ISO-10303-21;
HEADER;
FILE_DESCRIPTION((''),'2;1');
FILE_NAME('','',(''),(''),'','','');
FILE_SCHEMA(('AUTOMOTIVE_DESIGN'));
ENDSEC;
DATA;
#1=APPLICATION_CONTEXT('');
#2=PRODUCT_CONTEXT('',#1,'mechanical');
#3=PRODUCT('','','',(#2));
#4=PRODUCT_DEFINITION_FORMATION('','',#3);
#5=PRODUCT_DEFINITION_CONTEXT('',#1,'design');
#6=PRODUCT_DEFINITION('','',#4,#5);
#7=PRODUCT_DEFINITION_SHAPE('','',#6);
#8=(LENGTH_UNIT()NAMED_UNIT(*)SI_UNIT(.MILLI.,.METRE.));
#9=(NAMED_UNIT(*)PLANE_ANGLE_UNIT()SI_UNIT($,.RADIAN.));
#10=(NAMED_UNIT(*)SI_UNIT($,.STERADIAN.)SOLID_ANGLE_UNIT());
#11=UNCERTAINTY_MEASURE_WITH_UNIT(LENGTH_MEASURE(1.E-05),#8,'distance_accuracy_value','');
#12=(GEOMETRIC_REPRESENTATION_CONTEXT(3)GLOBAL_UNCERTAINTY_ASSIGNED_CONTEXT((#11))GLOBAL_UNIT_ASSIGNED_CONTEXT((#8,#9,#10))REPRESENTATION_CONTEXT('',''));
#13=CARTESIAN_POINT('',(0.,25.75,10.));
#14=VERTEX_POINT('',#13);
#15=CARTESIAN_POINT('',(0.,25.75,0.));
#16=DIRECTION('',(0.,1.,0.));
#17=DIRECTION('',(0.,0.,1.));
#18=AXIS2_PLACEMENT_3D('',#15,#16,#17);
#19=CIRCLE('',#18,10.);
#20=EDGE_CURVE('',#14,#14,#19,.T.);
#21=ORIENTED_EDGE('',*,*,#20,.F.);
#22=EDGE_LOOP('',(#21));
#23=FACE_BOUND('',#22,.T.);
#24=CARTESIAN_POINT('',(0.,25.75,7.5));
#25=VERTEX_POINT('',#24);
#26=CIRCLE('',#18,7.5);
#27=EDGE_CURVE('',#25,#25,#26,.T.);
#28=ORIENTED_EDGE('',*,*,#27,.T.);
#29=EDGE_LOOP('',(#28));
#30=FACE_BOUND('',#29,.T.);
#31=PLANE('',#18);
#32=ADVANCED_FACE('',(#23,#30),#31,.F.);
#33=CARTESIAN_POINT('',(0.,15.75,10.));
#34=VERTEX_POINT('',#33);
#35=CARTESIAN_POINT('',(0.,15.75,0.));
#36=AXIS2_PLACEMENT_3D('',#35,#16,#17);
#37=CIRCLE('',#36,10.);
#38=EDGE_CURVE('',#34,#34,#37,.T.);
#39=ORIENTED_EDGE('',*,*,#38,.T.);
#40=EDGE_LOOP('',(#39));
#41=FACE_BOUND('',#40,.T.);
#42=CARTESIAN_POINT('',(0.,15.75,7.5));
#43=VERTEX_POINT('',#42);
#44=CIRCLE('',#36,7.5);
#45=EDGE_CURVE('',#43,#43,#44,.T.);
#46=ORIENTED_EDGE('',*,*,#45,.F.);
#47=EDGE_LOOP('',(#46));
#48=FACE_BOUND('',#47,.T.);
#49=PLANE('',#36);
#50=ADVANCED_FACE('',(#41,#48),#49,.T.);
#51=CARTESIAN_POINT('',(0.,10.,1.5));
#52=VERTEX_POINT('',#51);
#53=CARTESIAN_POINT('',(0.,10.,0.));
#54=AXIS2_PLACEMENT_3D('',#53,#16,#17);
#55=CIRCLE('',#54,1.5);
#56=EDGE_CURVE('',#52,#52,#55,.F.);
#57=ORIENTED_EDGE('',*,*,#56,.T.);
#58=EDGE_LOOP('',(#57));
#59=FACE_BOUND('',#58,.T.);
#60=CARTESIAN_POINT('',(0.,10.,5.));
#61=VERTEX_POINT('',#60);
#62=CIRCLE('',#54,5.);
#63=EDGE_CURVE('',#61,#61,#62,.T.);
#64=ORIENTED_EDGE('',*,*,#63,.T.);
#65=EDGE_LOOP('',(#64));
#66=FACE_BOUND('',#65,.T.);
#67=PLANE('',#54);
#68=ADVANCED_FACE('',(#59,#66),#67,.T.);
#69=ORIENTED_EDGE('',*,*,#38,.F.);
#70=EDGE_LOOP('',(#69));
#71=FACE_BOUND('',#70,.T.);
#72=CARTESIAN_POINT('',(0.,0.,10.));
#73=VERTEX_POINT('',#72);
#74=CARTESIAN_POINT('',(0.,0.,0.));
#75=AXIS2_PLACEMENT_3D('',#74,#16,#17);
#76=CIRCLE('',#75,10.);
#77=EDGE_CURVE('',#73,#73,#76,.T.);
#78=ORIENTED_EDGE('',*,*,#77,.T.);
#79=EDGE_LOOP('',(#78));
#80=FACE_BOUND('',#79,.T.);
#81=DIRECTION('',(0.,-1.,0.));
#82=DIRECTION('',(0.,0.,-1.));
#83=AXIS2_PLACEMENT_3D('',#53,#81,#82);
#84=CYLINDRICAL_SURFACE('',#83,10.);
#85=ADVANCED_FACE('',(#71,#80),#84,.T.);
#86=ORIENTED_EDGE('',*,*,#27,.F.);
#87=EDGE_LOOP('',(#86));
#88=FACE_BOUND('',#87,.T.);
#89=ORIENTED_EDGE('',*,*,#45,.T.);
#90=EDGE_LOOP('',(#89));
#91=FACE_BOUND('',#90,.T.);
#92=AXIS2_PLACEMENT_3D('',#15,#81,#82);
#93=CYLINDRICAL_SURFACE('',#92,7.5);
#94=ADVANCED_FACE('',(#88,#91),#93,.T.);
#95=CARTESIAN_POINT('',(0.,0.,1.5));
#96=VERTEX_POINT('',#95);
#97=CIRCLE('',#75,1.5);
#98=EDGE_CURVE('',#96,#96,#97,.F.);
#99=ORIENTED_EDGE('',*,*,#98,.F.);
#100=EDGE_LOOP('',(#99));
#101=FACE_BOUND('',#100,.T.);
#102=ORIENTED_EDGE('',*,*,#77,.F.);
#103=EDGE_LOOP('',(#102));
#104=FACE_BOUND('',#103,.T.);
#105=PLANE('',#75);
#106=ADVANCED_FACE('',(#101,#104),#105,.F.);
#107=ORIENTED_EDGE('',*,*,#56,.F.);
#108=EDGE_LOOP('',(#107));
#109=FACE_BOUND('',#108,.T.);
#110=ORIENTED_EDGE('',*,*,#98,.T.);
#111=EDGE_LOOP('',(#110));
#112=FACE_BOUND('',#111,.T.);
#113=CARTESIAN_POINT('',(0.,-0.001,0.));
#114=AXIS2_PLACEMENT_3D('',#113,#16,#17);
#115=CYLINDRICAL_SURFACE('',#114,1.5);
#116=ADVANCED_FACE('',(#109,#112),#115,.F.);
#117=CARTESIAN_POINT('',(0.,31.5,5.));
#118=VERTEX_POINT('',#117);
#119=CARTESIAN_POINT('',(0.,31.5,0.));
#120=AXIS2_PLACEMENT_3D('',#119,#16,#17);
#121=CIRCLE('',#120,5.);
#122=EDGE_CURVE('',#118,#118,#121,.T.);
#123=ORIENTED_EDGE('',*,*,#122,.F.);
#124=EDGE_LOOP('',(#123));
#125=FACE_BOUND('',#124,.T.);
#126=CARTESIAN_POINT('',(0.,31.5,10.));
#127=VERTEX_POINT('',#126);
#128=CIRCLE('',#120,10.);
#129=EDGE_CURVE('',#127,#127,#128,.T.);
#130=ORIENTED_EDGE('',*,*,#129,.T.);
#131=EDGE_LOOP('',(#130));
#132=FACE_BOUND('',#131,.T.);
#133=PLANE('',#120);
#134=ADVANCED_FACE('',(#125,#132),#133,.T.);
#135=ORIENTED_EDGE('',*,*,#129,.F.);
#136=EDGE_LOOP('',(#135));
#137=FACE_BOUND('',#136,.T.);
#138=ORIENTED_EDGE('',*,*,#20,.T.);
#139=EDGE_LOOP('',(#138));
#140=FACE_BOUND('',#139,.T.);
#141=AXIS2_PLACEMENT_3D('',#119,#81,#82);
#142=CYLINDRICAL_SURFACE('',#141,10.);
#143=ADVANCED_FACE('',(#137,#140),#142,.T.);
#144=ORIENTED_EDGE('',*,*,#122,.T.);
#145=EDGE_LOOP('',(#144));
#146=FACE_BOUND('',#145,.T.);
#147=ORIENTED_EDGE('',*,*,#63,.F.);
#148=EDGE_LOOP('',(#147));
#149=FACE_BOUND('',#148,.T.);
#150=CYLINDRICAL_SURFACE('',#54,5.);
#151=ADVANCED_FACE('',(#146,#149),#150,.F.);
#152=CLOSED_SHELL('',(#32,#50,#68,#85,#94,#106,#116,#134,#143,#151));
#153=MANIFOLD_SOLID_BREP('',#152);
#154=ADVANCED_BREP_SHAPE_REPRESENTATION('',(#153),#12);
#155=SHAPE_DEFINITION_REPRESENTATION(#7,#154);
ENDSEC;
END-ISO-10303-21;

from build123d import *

# Parameters (mm, degrees)
SKETCH1_R           = 10
BOSS_EXTRUDE2_DEPTH = 10
CUT_EXTRUDE3_REACH  = 19.321
SKETCH5_R           = 1.5
SKETCH6_R           = 10
BOSS_EXTRUDE3_DEPTH = 5.75
SKETCH7_R           = 5
CUT_EXTRUDE4_DEPTH  = 5.75
SKETCH8_R           = 7.5
BOSS_EXTRUDE4_DEPTH = 10
SKETCH9_R           = 10
BOSS_EXTRUDE5_DEPTH = 5.75
CUT_EXTRUDE5_REACH  = 36.529
SKETCH10_R          = 5


with BuildPart() as part:
    # Sketch1 → Boss-Extrude2 (new body)
    with BuildSketch(Plane(origin=(0, 0, 0), x_dir=(1, 0, 0), z_dir=(0, 1, 0))):
        with Locations(Location((0, 0, 0), (0, 0, 270))):
            Circle(SKETCH1_R)
    extrude(amount=BOSS_EXTRUDE2_DEPTH)

    # Sketch5 → Cut-Extrude3 (cut, up to next)
    with BuildSketch(Plane(origin=(0, 10, 0), x_dir=(-1, 0, 0), z_dir=(0, 1, 0)), mode=Mode.PRIVATE) as cut_extrude3_sk1:
        with Locations(Location((0, 0, 0), (0, 0, 90))):
            Circle(SKETCH5_R)
    cut_extrude3_tool1 = extrude(cut_extrude3_sk1.sketch, amount=-CUT_EXTRUDE3_REACH, mode=Mode.PRIVATE) & part.part
    add(cut_extrude3_tool1.solids().sort_by_distance((0, 10, 0))[0], mode=Mode.SUBTRACT)

    # Sketch6 → Boss-Extrude3 (add)
    with BuildSketch(Plane(origin=(0, 10, 0), x_dir=(-1, 0, 0), z_dir=(0, 1, 0))):
        with Locations(Location((0, 0, 0), (0, 0, 90))):
            Circle(SKETCH6_R)
    extrude(amount=BOSS_EXTRUDE3_DEPTH)

    # Sketch7 → Cut-Extrude4 (cut)
    with BuildSketch(Plane(origin=(0, 15.75, 0), x_dir=(-1, 0, 0), z_dir=(0, 1, 0))):
        with Locations(Location((0, 0, 0), (0, 0, 90))):
            Circle(SKETCH7_R)
    extrude(amount=-CUT_EXTRUDE4_DEPTH, mode=Mode.SUBTRACT)

    # Sketch8 → Boss-Extrude4 (add)
    with BuildSketch(Plane(origin=(0, 15.75, 0), x_dir=(-1, 0, 0), z_dir=(0, 1, 0))):
        with Locations(Location((0, 0, 0), (0, 0, 90))):
            Circle(SKETCH8_R)
    extrude(amount=BOSS_EXTRUDE4_DEPTH)

    # Sketch9 → Boss-Extrude5 (add)
    with BuildSketch(Plane(origin=(0, 25.75, 0), x_dir=(-1, 0, 0), z_dir=(0, 1, 0))):
        with Locations(Location((0, 0, 0), (0, 0, 90))):
            Circle(SKETCH9_R)
    extrude(amount=BOSS_EXTRUDE5_DEPTH)

    # Sketch10 → Cut-Extrude5 (cut, up to next)
    with BuildSketch(Plane(origin=(0, 31.5, 0), x_dir=(-1, 0, 0), z_dir=(0, 1, 0)), mode=Mode.PRIVATE) as cut_extrude5_sk1:
        with Locations(Location((0, 0, 0), (0, 0, 90))):
            Circle(SKETCH10_R)
    cut_extrude5_tool1 = extrude(cut_extrude5_sk1.sketch, amount=-CUT_EXTRUDE5_REACH, mode=Mode.PRIVATE) & part.part
    add(cut_extrude5_tool1.solids().sort_by_distance((0, 31.5, 0))[0], mode=Mode.SUBTRACT)


solid = part.part
